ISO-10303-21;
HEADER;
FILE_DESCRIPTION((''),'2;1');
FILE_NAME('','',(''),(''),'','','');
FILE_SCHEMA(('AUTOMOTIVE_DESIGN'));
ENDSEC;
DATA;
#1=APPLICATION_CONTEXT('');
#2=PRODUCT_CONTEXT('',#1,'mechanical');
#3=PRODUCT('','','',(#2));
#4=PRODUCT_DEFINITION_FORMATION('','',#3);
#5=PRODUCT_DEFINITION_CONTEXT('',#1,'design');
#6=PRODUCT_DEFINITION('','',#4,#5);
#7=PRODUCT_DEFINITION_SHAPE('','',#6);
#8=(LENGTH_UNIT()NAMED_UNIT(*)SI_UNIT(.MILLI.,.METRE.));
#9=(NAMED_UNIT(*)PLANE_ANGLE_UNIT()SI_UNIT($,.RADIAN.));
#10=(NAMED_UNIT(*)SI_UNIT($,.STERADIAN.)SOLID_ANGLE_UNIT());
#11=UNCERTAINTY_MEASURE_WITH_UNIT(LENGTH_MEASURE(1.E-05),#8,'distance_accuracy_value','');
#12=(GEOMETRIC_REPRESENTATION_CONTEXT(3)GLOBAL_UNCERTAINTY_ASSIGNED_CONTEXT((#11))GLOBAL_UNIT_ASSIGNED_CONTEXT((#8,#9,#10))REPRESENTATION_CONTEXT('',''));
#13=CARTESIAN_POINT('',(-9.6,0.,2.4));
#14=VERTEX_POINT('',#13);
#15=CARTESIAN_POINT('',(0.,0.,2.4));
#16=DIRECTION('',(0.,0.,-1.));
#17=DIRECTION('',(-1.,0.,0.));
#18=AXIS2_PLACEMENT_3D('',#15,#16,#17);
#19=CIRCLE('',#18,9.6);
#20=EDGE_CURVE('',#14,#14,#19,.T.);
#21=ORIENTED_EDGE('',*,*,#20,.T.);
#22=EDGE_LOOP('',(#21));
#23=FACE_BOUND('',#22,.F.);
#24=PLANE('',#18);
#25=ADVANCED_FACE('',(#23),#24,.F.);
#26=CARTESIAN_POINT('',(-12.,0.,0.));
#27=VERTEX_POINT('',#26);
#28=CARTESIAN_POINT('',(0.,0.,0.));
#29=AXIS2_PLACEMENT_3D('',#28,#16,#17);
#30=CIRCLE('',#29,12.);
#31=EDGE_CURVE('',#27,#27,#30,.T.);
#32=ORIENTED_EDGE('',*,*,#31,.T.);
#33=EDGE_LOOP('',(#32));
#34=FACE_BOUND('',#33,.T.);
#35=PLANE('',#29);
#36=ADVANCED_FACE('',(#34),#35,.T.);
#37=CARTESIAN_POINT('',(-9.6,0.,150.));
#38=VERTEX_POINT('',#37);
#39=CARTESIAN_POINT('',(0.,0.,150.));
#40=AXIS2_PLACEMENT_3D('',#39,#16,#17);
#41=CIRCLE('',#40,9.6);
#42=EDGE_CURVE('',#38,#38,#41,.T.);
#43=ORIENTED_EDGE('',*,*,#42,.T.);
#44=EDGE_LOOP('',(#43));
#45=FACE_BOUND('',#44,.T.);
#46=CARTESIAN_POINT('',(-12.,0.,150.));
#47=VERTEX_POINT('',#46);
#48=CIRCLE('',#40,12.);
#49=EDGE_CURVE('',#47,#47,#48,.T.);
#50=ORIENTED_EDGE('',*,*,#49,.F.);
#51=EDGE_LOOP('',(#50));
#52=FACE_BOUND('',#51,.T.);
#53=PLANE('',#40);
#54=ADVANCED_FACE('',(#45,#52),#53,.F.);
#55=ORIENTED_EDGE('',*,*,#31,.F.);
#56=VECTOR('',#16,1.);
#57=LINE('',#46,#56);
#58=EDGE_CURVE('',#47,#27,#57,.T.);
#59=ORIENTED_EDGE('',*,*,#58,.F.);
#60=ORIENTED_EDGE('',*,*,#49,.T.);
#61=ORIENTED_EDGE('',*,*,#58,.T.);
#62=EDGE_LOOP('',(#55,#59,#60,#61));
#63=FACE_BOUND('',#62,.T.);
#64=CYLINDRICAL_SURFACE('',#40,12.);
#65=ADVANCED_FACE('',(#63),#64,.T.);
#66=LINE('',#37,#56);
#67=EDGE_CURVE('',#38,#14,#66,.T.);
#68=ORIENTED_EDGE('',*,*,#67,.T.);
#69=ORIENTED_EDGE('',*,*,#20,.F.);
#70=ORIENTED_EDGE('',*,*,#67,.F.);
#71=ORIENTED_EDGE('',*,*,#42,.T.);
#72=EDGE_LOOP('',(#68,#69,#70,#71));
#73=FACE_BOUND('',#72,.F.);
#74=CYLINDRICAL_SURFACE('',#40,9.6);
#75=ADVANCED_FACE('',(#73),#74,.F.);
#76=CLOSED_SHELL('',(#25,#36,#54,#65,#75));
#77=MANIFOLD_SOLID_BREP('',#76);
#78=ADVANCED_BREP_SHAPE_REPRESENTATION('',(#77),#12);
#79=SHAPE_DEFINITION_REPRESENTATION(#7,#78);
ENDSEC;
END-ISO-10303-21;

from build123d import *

# Parameters (mm, degrees)
F2_T = -2.4


with BuildPart() as f1:
    # F0 (on Front) → F1 (revolve)
    with BuildSketch(Plane.XZ):
        Polygon((0, 0), (0, 137.308873), (0, 150), (-12, 150), (-12, 0), align=None)
    revolve(axis=Axis((0, 0, 14.678898), (0, 0, -1)))

    # F2
    f2_openings = [f1.faces().sort_by_distance(p)[0] for p in [
        (0, 0, 150),
    ]]
    offset(amount=F2_T, openings=f2_openings)


solid = f1.part
